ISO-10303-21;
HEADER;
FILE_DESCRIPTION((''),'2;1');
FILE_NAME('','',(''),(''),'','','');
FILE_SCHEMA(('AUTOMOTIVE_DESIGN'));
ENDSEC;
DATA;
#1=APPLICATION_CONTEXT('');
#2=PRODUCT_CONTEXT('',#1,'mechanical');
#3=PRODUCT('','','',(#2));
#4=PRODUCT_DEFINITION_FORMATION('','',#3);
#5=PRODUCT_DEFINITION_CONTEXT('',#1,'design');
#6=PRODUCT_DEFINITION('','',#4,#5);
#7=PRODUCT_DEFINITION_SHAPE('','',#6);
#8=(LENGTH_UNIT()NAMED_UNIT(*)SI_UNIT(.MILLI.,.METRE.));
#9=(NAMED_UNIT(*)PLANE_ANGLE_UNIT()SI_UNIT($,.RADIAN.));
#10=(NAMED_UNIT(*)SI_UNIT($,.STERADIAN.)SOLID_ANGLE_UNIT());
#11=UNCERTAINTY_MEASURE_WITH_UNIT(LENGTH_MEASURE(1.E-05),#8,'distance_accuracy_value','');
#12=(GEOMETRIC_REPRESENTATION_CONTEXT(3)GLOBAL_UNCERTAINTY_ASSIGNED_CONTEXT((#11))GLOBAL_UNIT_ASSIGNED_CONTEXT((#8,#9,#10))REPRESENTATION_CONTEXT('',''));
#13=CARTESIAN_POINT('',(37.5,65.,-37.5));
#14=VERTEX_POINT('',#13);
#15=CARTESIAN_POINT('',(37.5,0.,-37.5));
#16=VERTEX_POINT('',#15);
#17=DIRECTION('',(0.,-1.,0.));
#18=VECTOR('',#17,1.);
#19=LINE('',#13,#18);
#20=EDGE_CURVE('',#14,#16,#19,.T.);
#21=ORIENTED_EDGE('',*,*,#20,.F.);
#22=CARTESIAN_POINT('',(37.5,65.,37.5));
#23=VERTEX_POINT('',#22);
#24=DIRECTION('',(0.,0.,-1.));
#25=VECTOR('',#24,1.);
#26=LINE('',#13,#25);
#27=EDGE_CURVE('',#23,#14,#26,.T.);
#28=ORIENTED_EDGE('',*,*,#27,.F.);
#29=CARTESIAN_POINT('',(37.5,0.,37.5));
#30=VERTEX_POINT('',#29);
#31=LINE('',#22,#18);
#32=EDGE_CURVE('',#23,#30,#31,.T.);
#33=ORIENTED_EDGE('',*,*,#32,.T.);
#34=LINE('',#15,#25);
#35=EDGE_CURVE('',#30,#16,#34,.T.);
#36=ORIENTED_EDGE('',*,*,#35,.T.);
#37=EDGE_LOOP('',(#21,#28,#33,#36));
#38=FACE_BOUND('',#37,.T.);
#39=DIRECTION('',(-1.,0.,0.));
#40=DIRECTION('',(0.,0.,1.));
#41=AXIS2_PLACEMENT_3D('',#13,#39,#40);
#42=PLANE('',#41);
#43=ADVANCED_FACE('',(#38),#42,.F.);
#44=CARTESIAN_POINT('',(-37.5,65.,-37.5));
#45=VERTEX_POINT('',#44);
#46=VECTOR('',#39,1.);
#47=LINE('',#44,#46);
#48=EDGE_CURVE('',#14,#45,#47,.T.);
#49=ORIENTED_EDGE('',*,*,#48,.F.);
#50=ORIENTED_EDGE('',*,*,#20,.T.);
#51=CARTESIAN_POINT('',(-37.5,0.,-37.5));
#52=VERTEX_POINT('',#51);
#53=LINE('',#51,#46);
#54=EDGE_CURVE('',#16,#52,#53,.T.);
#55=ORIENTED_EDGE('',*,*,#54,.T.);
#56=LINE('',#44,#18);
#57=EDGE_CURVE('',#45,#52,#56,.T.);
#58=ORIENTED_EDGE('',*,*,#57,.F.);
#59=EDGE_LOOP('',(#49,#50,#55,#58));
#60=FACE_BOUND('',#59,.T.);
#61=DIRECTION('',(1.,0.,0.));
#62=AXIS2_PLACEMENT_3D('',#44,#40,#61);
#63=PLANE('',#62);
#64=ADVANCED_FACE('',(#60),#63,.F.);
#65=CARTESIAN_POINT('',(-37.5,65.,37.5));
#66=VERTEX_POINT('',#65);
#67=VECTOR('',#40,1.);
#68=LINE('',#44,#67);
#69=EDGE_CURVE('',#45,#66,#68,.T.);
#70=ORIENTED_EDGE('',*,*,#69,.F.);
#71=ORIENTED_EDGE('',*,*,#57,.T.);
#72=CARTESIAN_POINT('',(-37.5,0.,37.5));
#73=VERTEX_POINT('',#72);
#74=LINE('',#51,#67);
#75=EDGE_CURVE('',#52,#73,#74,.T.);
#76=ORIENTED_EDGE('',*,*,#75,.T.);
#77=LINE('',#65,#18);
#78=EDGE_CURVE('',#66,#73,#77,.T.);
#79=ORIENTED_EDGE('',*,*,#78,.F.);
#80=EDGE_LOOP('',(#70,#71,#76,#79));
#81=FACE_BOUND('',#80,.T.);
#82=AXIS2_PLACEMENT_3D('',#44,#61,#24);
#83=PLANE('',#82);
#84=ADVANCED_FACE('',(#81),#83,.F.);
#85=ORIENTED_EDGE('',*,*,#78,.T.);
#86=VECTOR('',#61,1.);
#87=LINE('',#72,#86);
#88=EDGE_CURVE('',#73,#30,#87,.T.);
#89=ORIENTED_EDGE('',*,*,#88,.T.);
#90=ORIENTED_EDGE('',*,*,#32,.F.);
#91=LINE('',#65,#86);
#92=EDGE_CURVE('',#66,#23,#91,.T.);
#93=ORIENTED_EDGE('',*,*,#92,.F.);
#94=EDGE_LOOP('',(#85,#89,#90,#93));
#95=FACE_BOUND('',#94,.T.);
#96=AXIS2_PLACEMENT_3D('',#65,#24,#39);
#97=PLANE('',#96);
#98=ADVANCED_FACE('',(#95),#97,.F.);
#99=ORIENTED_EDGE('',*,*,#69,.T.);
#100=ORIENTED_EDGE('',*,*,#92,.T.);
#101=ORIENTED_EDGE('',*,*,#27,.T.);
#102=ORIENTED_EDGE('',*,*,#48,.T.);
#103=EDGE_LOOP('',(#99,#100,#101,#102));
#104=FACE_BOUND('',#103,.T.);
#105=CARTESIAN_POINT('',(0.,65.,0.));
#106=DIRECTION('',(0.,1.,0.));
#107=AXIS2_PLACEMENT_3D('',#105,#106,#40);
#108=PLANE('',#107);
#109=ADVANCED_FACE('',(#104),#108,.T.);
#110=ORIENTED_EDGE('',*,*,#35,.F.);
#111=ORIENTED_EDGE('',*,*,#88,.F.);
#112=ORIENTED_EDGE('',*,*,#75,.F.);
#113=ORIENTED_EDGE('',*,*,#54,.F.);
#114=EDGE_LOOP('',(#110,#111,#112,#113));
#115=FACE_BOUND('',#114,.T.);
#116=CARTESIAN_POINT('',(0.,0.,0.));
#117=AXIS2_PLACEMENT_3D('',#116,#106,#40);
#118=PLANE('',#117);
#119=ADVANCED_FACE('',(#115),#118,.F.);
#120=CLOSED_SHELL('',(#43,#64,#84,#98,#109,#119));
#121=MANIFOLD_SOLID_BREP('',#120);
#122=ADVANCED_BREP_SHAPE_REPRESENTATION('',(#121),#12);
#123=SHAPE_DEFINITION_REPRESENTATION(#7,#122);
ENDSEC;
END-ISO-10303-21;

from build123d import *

# Parameters (mm, degrees)
SKETCH_1_W      = 75
SKETCH_1_H      = 75
EXTRUDE_1_DEPTH = 65


with BuildPart() as part:
    # 草图1 → 凸台-拉伸1 (new body)
    with BuildSketch(Plane(origin=(0, 0, 0), x_dir=(1, 0, 0), z_dir=(0, 1, 0))):
        Rectangle(SKETCH_1_W, SKETCH_1_H)
    extrude(amount=EXTRUDE_1_DEPTH)


solid = part.part
